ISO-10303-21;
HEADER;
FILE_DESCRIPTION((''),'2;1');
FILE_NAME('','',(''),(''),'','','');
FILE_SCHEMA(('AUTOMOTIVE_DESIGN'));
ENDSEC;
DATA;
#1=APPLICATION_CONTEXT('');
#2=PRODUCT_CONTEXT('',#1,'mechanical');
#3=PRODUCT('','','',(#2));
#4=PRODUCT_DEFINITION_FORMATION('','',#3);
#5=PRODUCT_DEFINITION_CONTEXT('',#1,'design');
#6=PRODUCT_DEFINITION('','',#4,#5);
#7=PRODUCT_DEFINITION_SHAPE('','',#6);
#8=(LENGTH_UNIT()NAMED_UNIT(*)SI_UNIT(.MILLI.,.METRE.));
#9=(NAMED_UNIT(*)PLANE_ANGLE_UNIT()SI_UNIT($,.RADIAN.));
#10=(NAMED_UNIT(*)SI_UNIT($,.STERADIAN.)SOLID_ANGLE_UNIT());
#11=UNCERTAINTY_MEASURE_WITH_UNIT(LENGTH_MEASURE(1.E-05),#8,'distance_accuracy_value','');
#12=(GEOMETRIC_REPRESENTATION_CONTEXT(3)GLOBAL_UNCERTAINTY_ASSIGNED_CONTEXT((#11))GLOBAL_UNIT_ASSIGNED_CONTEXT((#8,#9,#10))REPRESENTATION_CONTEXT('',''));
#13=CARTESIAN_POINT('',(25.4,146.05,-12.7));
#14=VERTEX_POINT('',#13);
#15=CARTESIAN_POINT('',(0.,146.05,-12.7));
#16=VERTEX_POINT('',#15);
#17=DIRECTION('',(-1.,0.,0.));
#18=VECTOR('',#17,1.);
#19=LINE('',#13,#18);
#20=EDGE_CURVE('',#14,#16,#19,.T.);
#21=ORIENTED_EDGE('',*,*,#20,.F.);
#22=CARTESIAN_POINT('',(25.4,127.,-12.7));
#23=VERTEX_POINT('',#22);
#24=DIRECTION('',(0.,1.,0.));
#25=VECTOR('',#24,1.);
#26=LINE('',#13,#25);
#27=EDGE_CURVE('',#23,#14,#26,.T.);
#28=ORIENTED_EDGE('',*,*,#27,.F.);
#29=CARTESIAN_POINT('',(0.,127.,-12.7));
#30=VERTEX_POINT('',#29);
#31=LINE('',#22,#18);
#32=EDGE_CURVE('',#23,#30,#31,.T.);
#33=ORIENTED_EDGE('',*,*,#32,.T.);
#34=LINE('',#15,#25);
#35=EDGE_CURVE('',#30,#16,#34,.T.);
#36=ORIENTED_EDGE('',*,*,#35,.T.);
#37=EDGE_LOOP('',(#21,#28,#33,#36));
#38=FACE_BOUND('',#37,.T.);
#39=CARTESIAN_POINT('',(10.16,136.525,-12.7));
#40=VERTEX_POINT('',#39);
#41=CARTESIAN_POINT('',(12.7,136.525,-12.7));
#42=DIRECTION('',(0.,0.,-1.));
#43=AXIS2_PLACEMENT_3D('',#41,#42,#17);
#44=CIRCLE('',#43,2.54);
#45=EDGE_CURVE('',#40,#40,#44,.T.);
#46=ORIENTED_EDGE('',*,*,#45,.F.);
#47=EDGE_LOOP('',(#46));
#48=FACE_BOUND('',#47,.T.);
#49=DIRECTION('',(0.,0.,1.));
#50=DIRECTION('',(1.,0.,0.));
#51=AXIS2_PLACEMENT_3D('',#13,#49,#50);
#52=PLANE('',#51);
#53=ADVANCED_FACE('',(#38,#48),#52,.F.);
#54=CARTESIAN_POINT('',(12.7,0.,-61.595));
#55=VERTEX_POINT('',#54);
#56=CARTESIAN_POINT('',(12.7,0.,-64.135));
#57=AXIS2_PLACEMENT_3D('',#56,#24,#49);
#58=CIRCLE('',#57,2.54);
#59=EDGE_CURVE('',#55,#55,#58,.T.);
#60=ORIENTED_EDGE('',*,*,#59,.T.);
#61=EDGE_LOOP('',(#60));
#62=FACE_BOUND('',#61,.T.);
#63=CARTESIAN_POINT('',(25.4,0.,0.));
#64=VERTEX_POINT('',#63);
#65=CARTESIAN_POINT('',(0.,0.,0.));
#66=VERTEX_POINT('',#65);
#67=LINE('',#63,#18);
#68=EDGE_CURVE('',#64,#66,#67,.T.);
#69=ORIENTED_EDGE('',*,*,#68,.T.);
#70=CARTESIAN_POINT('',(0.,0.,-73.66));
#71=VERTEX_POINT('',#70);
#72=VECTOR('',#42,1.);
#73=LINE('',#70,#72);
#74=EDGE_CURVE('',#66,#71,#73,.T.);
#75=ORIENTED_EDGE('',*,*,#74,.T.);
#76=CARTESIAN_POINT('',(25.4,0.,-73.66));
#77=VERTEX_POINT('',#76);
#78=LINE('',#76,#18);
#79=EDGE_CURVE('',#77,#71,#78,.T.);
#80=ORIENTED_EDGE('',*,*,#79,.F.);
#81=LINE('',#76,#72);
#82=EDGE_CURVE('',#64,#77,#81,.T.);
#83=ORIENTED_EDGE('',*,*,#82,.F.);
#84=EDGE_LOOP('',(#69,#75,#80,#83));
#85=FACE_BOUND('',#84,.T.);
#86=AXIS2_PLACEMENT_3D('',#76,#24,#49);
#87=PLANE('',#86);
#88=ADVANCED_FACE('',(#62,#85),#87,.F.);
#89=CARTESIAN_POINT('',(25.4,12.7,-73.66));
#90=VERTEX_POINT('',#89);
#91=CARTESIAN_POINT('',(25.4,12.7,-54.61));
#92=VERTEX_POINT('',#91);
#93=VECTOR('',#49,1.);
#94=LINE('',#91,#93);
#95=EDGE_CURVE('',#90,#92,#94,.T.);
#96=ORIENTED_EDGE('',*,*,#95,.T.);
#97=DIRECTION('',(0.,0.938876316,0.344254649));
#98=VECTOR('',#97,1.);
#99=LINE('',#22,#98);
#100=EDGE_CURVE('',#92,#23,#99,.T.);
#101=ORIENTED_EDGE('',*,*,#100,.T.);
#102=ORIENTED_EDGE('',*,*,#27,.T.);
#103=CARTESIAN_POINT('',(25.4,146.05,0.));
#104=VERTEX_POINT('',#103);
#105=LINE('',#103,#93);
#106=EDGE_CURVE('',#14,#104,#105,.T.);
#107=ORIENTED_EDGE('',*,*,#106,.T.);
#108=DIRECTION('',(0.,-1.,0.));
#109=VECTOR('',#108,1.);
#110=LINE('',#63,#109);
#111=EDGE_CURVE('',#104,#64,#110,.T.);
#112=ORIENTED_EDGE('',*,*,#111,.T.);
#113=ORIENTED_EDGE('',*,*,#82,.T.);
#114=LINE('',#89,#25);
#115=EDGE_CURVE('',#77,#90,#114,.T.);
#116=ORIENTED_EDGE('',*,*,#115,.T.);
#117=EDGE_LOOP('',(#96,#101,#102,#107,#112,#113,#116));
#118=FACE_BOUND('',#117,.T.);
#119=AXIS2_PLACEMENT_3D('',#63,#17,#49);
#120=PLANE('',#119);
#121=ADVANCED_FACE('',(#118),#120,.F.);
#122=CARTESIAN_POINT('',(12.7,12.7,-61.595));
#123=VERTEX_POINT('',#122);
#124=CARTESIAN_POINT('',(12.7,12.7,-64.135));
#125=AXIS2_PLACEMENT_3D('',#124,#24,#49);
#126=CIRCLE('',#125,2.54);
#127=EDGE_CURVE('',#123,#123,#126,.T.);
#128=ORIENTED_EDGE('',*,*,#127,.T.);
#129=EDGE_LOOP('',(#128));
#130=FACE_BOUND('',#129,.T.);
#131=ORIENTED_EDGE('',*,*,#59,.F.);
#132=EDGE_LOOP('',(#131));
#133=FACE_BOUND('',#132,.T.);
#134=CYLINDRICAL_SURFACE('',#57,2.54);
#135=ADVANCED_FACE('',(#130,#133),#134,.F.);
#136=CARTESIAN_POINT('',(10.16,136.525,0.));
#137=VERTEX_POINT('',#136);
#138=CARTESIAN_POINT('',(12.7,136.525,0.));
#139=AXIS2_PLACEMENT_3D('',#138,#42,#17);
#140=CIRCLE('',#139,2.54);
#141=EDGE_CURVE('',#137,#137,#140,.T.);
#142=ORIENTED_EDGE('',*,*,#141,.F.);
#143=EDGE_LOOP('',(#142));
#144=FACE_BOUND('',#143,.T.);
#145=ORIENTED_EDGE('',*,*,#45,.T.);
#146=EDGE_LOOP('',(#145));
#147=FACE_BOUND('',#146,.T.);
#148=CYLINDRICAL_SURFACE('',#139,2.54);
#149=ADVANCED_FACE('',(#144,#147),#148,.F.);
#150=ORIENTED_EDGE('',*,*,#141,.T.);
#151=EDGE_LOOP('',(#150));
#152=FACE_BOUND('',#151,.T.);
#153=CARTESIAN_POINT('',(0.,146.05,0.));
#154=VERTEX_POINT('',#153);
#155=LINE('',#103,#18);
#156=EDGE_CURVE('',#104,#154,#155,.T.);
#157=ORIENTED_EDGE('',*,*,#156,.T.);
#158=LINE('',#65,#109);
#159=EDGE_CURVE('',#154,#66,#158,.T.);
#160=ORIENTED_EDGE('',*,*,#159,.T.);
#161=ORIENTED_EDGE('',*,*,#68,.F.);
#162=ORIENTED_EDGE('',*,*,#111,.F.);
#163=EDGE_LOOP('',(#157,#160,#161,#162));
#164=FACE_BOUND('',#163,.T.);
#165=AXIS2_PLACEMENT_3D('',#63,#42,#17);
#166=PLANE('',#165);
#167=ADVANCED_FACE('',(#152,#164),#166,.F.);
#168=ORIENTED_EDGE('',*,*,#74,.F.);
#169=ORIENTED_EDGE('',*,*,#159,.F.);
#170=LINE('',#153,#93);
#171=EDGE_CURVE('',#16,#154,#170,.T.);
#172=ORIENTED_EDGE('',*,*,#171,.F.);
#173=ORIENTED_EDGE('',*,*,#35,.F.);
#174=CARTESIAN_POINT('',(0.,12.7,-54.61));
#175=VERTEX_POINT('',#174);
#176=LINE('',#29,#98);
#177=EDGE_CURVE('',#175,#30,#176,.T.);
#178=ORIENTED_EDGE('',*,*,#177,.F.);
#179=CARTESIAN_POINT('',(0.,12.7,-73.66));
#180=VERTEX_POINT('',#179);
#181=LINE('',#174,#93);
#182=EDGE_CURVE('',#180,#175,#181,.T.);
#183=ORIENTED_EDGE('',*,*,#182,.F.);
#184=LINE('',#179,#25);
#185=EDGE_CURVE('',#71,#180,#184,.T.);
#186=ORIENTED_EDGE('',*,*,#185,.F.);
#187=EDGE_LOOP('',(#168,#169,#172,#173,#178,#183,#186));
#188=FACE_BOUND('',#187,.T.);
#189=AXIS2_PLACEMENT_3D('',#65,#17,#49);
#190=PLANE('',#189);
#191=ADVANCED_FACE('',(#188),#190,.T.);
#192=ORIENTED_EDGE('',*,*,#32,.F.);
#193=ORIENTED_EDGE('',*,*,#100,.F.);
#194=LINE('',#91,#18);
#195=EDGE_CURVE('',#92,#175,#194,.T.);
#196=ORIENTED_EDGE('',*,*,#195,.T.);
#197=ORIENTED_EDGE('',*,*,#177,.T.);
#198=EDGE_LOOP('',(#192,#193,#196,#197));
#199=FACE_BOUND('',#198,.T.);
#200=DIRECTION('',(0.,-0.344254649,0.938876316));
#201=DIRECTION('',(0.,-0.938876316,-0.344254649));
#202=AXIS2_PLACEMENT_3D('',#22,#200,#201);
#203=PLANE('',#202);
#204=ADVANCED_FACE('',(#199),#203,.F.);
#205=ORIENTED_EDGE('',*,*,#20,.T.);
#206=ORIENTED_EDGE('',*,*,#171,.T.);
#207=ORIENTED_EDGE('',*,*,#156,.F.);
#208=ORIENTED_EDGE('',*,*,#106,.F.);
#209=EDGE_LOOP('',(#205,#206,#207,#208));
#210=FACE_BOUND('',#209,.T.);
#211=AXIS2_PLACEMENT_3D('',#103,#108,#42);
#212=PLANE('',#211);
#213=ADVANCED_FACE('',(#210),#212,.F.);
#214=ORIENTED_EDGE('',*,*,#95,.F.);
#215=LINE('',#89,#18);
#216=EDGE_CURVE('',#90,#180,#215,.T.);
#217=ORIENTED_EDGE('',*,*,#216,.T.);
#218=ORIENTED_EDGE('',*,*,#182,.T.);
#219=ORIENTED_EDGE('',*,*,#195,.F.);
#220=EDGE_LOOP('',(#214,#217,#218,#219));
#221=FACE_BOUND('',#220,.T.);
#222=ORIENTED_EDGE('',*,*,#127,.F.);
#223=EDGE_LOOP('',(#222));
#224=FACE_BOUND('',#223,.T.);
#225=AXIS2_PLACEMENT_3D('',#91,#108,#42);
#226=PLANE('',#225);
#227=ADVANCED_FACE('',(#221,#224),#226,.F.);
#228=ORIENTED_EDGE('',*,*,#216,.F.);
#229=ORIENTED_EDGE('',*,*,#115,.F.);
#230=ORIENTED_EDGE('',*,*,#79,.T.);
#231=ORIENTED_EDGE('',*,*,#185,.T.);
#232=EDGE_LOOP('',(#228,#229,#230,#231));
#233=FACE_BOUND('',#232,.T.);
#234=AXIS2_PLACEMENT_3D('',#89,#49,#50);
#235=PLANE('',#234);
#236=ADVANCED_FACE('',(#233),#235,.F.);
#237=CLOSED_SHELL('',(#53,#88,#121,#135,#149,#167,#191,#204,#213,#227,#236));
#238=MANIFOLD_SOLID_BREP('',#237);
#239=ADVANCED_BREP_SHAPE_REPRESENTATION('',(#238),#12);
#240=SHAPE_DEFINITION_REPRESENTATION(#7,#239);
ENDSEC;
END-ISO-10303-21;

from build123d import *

# Parameters (mm, degrees)
BOSS_EXTRUDE1_DEPTH = 25.4
SKETCH2_R           = 2.54
CUT_EXTRUDE1_DEPTH  = 13.7
SKETCH3_R           = 2.54
CUT_EXTRUDE2_DEPTH  = 13.7


with BuildPart() as part:
    # Sketch1 → Boss-Extrude1 (new body)
    with BuildSketch(Plane(origin=(0, 0, 0), x_dir=(0, 0, -1), z_dir=(1, 0, 0))):
        Polygon((0, 0), (0, 146.05), (12.7, 146.05), (12.7, 127), (54.61, 12.7), (73.66, 12.7), (73.66, 0), align=None)
    extrude(amount=BOSS_EXTRUDE1_DEPTH)

    # Sketch2 → Cut-Extrude1 (cut, through all)
    with BuildSketch(Plane(origin=(0, 0, -12.7), x_dir=(-1, 0, 0), z_dir=(0, 0, -1))):
        with Locations((-12.7, 136.525)):
            Circle(SKETCH2_R)
    extrude(amount=-CUT_EXTRUDE1_DEPTH, mode=Mode.SUBTRACT)

    # Sketch3 → Cut-Extrude2 (cut, through all)
    with BuildSketch(Plane(origin=(0, 12.7, 0), x_dir=(1, 0, 0), z_dir=(0, 1, 0))):
        with Locations((12.7, 64.135)):
            Circle(SKETCH3_R)
    extrude(amount=-CUT_EXTRUDE2_DEPTH, mode=Mode.SUBTRACT)


solid = part.part
